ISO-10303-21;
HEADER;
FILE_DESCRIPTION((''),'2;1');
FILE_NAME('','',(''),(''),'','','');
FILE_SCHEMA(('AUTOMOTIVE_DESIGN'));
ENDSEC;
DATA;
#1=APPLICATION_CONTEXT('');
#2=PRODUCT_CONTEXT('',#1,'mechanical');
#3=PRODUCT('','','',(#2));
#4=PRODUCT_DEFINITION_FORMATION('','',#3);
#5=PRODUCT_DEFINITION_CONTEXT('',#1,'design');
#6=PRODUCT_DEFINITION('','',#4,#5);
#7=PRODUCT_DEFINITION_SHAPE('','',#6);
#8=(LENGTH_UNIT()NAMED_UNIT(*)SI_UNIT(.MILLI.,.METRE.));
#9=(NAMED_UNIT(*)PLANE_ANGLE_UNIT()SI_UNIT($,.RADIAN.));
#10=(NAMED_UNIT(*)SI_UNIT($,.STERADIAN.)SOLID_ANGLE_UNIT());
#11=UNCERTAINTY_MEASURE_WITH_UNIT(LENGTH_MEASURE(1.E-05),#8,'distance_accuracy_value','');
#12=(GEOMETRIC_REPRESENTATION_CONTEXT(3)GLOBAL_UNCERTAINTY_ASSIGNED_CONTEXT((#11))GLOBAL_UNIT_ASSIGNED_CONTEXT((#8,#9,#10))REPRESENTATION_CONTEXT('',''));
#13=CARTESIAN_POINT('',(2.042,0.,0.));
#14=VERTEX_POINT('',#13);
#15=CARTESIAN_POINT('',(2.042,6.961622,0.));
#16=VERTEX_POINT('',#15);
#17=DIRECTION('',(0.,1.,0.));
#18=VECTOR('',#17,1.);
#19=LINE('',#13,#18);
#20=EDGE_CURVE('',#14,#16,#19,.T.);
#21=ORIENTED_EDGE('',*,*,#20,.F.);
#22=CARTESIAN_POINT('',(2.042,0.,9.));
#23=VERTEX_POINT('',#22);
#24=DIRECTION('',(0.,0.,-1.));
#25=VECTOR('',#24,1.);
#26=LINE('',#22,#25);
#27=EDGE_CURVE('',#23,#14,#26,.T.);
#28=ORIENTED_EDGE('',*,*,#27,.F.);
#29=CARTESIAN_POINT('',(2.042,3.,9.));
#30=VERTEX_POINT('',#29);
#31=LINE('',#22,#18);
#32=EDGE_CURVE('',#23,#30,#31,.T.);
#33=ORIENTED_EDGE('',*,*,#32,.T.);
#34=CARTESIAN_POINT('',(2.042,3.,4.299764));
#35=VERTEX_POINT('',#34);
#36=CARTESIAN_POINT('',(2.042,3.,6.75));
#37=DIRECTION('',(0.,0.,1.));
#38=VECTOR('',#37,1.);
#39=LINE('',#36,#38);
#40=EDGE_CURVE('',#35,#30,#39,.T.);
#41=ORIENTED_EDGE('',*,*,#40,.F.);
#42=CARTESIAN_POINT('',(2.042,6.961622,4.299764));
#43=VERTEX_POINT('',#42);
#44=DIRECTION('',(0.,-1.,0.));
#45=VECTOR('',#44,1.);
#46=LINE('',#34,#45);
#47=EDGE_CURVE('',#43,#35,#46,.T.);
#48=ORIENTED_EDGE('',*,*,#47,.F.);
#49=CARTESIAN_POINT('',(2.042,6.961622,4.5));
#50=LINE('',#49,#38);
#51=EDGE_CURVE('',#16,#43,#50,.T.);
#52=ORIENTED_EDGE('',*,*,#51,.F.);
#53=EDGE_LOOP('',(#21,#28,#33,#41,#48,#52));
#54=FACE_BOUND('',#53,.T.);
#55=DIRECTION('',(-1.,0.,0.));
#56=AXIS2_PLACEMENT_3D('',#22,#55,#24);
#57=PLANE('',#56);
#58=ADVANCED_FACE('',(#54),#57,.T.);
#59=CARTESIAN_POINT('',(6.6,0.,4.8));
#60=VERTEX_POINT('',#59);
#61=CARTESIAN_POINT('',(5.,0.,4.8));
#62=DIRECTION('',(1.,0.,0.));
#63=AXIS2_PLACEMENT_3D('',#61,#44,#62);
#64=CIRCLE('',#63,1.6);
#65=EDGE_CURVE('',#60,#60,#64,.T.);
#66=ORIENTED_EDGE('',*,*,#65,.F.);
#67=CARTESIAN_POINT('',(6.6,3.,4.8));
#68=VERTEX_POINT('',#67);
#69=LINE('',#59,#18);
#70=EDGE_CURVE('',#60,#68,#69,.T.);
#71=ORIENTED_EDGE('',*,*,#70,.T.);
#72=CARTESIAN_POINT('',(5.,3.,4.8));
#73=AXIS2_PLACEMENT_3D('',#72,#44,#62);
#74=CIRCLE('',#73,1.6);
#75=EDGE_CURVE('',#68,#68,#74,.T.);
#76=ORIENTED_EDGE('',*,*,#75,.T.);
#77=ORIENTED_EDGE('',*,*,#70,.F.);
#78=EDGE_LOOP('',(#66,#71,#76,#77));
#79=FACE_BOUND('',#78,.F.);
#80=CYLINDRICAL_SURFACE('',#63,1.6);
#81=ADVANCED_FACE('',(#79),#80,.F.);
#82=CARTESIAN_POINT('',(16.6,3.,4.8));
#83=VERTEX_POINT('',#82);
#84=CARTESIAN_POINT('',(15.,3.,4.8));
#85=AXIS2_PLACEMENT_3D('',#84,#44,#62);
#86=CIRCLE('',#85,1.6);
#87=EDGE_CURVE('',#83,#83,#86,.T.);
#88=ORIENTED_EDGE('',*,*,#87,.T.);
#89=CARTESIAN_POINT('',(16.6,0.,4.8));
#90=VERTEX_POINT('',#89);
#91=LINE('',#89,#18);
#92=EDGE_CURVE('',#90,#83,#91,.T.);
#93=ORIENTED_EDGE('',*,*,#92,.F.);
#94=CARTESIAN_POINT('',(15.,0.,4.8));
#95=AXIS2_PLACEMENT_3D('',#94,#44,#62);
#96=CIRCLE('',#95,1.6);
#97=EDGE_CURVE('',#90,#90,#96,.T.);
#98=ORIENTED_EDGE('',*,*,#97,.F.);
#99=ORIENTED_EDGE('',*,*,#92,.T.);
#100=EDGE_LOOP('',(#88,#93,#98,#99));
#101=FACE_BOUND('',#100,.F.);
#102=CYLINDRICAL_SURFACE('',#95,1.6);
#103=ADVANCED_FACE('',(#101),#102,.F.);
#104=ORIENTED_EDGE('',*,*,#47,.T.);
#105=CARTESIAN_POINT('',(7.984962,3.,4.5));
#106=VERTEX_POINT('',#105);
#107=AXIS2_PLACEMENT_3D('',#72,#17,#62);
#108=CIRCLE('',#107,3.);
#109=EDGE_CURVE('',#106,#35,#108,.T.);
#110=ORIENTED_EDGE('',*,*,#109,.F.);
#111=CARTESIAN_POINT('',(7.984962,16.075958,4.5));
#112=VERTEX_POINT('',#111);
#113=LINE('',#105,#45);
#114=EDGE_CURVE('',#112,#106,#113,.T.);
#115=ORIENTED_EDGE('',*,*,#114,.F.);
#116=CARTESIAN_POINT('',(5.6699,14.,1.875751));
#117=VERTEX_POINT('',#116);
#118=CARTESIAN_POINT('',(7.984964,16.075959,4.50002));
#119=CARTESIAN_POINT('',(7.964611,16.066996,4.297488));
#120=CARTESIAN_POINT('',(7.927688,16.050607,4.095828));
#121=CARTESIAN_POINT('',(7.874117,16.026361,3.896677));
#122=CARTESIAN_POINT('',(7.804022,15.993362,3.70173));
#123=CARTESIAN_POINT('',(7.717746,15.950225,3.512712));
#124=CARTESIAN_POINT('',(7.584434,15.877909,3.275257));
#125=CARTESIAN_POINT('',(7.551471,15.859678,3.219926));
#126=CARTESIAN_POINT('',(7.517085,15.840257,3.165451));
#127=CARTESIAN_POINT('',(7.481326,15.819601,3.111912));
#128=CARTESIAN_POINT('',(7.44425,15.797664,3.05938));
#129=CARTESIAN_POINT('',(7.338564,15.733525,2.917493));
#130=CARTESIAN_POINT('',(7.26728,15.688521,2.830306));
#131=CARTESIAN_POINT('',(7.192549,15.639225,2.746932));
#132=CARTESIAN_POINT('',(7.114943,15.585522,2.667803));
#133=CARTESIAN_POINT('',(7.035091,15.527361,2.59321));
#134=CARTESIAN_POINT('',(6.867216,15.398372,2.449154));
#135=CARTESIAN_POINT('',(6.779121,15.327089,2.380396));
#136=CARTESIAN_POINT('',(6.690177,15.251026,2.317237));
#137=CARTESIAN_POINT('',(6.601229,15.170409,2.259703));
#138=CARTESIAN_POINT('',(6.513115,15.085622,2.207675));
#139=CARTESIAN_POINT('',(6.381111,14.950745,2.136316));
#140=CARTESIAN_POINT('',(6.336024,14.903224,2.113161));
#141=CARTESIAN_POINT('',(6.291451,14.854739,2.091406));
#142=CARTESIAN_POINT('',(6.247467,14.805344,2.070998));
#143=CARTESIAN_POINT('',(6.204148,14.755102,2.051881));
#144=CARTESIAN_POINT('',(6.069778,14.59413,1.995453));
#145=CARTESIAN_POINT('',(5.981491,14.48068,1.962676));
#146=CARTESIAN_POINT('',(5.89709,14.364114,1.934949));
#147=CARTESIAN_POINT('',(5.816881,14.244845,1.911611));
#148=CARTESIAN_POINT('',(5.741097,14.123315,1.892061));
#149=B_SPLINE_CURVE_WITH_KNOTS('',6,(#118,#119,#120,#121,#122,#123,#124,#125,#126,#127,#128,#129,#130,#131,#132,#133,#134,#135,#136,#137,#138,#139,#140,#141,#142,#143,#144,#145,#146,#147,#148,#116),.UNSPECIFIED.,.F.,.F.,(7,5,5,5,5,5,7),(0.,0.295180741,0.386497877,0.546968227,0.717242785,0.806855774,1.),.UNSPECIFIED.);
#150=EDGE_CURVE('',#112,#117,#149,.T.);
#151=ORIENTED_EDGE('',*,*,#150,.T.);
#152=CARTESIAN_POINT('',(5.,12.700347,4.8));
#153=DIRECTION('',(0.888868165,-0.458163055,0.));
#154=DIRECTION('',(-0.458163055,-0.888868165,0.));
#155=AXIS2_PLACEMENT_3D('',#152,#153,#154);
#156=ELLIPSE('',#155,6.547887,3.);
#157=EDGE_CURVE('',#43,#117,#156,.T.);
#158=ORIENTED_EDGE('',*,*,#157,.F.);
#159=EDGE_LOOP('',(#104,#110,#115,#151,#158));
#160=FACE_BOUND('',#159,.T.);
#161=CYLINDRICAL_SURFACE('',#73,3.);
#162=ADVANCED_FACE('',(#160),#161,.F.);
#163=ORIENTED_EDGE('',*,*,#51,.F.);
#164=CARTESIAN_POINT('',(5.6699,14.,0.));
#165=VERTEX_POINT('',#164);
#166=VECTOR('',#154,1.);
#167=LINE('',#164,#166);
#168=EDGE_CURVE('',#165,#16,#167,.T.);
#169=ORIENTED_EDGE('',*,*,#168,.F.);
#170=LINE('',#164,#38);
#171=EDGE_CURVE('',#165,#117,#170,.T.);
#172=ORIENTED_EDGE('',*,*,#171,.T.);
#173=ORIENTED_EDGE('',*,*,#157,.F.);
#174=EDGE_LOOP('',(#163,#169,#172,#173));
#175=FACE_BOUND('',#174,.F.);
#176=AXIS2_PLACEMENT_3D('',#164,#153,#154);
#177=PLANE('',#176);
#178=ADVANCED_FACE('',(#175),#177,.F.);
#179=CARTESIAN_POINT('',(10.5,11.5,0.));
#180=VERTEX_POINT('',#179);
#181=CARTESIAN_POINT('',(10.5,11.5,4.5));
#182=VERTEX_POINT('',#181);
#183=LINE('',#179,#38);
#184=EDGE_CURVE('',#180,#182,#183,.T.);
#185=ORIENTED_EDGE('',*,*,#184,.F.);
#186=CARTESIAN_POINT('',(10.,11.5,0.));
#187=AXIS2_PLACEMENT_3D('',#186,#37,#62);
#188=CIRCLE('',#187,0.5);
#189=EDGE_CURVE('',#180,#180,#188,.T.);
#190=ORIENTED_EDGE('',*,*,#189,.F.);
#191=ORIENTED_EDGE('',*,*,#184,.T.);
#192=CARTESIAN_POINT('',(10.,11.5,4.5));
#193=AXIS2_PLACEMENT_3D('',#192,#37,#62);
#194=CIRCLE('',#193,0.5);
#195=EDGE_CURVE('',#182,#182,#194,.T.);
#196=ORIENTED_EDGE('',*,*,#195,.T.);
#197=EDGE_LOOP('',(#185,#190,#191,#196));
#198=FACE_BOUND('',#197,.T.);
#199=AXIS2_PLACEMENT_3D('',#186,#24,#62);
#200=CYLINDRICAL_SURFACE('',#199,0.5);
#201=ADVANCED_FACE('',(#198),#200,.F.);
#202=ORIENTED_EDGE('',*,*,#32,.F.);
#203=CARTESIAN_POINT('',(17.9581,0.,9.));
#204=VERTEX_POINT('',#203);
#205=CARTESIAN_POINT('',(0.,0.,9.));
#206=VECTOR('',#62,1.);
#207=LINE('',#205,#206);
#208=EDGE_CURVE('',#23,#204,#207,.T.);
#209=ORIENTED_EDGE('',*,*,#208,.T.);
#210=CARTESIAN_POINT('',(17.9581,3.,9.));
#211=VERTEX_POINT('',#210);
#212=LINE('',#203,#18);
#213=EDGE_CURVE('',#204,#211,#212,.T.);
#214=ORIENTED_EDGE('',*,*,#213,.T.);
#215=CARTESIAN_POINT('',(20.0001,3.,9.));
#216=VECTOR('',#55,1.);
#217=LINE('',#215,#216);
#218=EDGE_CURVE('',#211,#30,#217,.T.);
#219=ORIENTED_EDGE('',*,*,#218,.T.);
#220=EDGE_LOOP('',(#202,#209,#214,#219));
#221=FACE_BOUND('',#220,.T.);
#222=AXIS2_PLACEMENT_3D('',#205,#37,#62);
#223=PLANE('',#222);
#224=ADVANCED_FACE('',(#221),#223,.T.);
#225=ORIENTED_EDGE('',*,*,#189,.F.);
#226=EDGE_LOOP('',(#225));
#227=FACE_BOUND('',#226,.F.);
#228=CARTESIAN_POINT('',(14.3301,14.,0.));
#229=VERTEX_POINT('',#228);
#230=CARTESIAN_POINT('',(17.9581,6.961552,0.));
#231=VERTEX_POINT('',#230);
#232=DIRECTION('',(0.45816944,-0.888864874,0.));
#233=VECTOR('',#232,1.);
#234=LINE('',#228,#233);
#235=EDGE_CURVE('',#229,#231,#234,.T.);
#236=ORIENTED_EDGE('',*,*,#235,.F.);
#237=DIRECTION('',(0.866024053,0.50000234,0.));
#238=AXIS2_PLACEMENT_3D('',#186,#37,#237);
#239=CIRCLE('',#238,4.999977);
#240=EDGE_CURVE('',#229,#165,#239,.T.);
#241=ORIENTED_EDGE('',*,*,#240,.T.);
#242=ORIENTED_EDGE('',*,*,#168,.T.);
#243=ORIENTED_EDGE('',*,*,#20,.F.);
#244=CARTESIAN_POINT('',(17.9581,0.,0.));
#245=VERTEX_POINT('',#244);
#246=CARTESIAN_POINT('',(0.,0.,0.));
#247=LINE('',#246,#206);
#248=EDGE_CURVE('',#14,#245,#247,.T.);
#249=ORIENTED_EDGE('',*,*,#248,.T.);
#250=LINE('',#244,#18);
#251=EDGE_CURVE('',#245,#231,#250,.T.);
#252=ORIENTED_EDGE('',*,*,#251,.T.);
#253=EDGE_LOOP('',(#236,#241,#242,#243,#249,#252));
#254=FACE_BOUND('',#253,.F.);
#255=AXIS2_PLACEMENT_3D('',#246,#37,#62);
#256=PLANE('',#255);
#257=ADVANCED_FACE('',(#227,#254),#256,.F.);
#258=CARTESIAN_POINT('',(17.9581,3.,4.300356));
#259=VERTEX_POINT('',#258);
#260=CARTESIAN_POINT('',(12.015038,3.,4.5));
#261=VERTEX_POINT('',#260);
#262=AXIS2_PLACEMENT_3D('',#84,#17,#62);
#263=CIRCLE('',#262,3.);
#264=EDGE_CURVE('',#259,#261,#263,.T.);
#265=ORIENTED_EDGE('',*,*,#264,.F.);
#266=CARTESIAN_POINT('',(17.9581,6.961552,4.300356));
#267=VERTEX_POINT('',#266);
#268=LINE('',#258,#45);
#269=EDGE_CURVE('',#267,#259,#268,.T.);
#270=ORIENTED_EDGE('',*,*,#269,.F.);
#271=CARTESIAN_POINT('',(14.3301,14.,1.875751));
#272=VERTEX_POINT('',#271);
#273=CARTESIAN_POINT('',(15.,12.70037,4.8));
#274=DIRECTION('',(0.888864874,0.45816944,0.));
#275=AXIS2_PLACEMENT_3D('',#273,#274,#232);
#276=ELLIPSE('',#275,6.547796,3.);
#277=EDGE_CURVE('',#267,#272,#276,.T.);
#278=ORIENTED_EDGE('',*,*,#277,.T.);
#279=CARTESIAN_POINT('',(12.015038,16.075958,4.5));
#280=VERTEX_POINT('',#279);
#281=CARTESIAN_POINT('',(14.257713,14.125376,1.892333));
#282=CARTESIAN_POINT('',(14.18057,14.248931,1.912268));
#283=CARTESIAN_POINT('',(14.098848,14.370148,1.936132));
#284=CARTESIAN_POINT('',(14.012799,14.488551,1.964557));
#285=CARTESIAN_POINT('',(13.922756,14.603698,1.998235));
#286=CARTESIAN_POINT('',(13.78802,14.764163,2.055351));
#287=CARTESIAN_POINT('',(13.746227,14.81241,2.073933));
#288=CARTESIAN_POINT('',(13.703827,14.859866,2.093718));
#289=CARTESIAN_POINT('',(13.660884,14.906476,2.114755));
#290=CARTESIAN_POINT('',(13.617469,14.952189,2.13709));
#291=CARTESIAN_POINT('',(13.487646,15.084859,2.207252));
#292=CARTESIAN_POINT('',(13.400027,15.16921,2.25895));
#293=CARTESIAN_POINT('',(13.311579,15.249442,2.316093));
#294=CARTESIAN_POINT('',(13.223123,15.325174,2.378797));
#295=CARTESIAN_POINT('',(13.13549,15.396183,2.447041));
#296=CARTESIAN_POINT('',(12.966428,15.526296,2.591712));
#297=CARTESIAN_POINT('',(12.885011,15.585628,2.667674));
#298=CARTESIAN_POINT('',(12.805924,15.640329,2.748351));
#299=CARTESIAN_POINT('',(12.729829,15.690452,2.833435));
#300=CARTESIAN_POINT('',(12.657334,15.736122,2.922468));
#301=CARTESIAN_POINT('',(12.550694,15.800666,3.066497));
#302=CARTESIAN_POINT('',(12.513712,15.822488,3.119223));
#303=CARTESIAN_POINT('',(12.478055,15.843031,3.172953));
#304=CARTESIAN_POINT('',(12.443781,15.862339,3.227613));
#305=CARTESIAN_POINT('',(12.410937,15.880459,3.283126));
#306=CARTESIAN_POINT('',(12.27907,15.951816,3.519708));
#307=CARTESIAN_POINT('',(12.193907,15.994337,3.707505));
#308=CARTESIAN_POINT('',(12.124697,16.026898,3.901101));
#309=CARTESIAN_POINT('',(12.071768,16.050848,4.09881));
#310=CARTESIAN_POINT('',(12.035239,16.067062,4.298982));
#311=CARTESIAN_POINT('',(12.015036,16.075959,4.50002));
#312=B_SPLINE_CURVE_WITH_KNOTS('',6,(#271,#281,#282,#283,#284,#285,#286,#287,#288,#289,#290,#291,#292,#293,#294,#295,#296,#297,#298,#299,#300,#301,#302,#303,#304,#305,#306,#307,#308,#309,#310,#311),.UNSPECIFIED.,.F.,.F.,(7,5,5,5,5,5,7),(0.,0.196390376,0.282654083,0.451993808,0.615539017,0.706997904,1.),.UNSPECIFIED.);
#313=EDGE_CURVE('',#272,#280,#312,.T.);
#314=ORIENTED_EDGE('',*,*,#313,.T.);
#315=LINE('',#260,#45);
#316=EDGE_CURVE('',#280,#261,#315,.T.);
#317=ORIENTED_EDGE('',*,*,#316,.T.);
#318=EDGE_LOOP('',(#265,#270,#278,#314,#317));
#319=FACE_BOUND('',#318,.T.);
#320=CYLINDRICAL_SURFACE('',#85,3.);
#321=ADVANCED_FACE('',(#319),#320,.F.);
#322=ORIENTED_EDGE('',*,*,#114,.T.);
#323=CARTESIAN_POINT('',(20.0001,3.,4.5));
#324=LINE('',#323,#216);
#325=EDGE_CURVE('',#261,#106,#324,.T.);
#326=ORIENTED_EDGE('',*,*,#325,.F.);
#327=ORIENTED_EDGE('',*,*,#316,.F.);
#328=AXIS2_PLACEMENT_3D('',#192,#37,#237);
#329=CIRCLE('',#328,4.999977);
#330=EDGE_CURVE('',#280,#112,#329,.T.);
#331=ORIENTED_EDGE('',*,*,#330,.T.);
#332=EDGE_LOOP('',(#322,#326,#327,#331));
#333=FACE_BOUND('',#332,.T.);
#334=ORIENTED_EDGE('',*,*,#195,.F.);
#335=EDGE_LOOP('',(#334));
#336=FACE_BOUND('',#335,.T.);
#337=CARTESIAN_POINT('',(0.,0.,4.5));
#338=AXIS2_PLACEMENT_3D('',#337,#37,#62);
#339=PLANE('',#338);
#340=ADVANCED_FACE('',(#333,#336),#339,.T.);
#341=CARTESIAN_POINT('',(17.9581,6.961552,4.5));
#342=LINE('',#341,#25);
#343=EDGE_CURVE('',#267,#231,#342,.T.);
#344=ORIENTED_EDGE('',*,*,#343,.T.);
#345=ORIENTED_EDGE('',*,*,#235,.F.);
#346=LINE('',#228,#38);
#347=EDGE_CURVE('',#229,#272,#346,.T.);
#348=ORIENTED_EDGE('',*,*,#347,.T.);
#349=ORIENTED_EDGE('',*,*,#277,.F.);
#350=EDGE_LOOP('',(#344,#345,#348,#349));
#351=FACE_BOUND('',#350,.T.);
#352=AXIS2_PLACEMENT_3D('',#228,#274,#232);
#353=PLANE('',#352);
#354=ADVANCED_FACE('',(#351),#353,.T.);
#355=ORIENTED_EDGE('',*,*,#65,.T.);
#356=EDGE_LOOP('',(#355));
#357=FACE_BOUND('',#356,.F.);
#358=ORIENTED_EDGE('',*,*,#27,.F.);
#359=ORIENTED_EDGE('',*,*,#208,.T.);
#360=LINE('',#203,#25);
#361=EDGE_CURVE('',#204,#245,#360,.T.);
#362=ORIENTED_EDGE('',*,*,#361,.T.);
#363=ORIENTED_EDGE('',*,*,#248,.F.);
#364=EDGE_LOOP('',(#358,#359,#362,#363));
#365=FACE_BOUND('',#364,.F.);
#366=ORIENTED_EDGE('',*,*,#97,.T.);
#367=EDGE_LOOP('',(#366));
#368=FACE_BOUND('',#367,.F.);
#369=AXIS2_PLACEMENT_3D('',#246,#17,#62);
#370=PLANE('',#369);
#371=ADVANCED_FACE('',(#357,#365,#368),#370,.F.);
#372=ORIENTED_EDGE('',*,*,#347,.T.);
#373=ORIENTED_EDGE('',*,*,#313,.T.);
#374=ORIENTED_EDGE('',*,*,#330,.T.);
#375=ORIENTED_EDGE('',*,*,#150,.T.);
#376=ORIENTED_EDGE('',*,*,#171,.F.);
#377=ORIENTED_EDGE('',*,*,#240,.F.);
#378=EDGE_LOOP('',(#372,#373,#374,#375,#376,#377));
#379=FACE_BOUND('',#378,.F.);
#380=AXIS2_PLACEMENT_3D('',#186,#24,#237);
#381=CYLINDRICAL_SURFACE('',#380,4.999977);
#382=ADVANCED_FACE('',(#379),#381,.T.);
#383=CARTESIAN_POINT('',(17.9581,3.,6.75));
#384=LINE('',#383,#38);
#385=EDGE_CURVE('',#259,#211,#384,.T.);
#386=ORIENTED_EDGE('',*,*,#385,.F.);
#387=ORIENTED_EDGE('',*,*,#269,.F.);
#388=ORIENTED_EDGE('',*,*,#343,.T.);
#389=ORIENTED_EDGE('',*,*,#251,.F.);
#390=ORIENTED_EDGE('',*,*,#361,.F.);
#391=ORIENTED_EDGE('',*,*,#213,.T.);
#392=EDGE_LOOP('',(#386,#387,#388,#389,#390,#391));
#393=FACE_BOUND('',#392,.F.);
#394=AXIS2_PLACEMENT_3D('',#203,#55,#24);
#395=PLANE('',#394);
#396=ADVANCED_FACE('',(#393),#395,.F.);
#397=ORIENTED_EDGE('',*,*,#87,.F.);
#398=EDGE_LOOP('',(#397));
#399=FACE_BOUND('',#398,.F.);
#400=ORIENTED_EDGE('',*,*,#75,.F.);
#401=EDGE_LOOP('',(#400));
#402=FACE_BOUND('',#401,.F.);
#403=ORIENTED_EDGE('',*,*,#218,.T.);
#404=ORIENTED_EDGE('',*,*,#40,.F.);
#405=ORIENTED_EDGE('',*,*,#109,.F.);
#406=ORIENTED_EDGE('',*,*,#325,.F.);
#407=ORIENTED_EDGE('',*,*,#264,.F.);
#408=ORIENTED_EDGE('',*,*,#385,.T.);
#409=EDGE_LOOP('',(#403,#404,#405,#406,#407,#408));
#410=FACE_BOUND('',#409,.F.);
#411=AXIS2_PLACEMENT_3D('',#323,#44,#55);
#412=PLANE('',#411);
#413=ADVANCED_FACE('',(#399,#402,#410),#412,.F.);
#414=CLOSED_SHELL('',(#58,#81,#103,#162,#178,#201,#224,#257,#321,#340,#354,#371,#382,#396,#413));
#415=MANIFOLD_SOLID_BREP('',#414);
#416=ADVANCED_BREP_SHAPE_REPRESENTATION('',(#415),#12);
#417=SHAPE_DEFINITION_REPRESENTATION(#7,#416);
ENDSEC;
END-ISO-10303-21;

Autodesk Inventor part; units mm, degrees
ref_plane "YZ Plane" through (0, 0, 0) normal (1, 0, 0) x (0, 1, 0)
ref_plane "XZ Plane" through (0, 0, 0) normal (0, 1, 0) x (-1, 0, 0)
ref_plane "XY Plane" through (0, 0, 0) normal (0, 0, 1) x (1, 0, 0)
sketch "Sketch1" plane through (0, 0, 0) normal (0, 0, 1) x (1, 0, 0)
  circle A0 centre (10, 11.5) radius 0.5
  line L0 (0, 0) -> (20.0001, 0)
  line L1 (0, 0) -> (0, 3)
  line L2 (20.0001, 0) -> (20.0001, 3)
  line L3 (0, 3) -> (16, 3) construction
  line L4 (20.0001, 3) -> (36.0001, 3) construction
  arc A1 (14.3301, 14) -> (5.6699, 14) centre (10, 11.5) ccw
  line L5 (10, 11.5) -> (5.6699, 14) construction
  line L6 (10, 11.5) -> (14.3301, 14) construction
  line L7 (5.6699, 14) -> (0, 3)
  line L8 (14.3301, 14) -> (20.0001, 3)
  dimension "d17" = 3
  dimension "d18" = 3
  dimension "d19" = 11.5
  dimension "d23" = 90
  dimension "d24" = 90
  dimension "d25" = 10
  dimension "d31" = 5
  dimension "d32" = 120
  dimension "d33" = 14
  dimension "d48" = 1
extrude "Extrusion1" add sketch "Sketch1" along normal blind 4.5
sketch "Sketch4" plane through (0, 0, 4.5) normal (0, 0, 1) x (1, 0, 0)
  line L0 (0, 3) -> (0, 0) projected
  line L1 (20.0001, 0) -> (20.0001, 3) projected
  line L2 (0, 0) -> (20.0001, 0)
  line L3 (20.0001, 0) -> (20.0001, 3)
  line L4 (20.0001, 3) -> (0, 3)
  line L5 (0, 3) -> (0, 0)
extrude "Extrusion2" add sketch "Sketch4" along normal blind 4.5
sketch "Sketch5" plane through (0, 0, 0) normal (0, -1, 0) x (1, 0, 0)
  circle A0 centre (5, 4.8) radius 1.6
  circle A1 centre (15, 4.8) radius 1.6
  line L0 (0, 0) -> (20.0001, 0) projected
  dimension "d13" = 3.2
  dimension "d14" = 3.2
  dimension "d38" = 4.8
  dimension "d39" = 4.8
extrude "Extrusion3" cut sketch "Sketch5" against normal through all
sketch "Sketch6" plane through (0, 3, 9) normal (0, 1, 0) x (1, 0, 0)
  circle A0 centre (5, 4.2) radius 1.6 projected
  circle A1 centre (5, 4.2) radius 3
  circle A2 centre (15, 4.2) radius 1.6 projected
  circle A3 centre (15, 4.2) radius 3
  line L0 (0, 9) -> (20.0001, 9) projected
  dimension "d34" = 6
  dimension "d35" = 6
  dimension "d40" = 4.8
  dimension "d41" = 4.8
extrude "Extrusion4" cut sketch "Sketch6" along normal up to next
sketch "Sketch7" plane through (0, 0, 0) normal (0, -1, 0) x (1, 0, 0)
  line L0 (0, 0) -> (0, 9) projected
  line L1 (2.042, 0) -> (0, 0)
  line L2 (0, 0) -> (0, 9)
  line L3 (0, 9) -> (2.042, 9)
  line L4 (2.042, 9) -> (2.042, 0)
extrude "Extrusion5" cut sketch "Sketch7" against normal up to next
sketch "Sketch8" plane through (20.0001, 0, 0) normal (0, -1, 0) x (1, 0, 0)
  line L0 (0, 4.5) -> (0, 9) projected
  line L1 (-2.042, 0) -> (0, 0)
  line L2 (0, 0) -> (0, 9)
  line L3 (0, 9) -> (-2.042, 9)
  line L4 (-2.042, 9) -> (-2.042, 0)
  point P0 (-20.0001, 0)
extrude "Extrusion6" cut sketch "Sketch8" against normal up to next
properties part number "lower_deck_shaft_mount_printing"
